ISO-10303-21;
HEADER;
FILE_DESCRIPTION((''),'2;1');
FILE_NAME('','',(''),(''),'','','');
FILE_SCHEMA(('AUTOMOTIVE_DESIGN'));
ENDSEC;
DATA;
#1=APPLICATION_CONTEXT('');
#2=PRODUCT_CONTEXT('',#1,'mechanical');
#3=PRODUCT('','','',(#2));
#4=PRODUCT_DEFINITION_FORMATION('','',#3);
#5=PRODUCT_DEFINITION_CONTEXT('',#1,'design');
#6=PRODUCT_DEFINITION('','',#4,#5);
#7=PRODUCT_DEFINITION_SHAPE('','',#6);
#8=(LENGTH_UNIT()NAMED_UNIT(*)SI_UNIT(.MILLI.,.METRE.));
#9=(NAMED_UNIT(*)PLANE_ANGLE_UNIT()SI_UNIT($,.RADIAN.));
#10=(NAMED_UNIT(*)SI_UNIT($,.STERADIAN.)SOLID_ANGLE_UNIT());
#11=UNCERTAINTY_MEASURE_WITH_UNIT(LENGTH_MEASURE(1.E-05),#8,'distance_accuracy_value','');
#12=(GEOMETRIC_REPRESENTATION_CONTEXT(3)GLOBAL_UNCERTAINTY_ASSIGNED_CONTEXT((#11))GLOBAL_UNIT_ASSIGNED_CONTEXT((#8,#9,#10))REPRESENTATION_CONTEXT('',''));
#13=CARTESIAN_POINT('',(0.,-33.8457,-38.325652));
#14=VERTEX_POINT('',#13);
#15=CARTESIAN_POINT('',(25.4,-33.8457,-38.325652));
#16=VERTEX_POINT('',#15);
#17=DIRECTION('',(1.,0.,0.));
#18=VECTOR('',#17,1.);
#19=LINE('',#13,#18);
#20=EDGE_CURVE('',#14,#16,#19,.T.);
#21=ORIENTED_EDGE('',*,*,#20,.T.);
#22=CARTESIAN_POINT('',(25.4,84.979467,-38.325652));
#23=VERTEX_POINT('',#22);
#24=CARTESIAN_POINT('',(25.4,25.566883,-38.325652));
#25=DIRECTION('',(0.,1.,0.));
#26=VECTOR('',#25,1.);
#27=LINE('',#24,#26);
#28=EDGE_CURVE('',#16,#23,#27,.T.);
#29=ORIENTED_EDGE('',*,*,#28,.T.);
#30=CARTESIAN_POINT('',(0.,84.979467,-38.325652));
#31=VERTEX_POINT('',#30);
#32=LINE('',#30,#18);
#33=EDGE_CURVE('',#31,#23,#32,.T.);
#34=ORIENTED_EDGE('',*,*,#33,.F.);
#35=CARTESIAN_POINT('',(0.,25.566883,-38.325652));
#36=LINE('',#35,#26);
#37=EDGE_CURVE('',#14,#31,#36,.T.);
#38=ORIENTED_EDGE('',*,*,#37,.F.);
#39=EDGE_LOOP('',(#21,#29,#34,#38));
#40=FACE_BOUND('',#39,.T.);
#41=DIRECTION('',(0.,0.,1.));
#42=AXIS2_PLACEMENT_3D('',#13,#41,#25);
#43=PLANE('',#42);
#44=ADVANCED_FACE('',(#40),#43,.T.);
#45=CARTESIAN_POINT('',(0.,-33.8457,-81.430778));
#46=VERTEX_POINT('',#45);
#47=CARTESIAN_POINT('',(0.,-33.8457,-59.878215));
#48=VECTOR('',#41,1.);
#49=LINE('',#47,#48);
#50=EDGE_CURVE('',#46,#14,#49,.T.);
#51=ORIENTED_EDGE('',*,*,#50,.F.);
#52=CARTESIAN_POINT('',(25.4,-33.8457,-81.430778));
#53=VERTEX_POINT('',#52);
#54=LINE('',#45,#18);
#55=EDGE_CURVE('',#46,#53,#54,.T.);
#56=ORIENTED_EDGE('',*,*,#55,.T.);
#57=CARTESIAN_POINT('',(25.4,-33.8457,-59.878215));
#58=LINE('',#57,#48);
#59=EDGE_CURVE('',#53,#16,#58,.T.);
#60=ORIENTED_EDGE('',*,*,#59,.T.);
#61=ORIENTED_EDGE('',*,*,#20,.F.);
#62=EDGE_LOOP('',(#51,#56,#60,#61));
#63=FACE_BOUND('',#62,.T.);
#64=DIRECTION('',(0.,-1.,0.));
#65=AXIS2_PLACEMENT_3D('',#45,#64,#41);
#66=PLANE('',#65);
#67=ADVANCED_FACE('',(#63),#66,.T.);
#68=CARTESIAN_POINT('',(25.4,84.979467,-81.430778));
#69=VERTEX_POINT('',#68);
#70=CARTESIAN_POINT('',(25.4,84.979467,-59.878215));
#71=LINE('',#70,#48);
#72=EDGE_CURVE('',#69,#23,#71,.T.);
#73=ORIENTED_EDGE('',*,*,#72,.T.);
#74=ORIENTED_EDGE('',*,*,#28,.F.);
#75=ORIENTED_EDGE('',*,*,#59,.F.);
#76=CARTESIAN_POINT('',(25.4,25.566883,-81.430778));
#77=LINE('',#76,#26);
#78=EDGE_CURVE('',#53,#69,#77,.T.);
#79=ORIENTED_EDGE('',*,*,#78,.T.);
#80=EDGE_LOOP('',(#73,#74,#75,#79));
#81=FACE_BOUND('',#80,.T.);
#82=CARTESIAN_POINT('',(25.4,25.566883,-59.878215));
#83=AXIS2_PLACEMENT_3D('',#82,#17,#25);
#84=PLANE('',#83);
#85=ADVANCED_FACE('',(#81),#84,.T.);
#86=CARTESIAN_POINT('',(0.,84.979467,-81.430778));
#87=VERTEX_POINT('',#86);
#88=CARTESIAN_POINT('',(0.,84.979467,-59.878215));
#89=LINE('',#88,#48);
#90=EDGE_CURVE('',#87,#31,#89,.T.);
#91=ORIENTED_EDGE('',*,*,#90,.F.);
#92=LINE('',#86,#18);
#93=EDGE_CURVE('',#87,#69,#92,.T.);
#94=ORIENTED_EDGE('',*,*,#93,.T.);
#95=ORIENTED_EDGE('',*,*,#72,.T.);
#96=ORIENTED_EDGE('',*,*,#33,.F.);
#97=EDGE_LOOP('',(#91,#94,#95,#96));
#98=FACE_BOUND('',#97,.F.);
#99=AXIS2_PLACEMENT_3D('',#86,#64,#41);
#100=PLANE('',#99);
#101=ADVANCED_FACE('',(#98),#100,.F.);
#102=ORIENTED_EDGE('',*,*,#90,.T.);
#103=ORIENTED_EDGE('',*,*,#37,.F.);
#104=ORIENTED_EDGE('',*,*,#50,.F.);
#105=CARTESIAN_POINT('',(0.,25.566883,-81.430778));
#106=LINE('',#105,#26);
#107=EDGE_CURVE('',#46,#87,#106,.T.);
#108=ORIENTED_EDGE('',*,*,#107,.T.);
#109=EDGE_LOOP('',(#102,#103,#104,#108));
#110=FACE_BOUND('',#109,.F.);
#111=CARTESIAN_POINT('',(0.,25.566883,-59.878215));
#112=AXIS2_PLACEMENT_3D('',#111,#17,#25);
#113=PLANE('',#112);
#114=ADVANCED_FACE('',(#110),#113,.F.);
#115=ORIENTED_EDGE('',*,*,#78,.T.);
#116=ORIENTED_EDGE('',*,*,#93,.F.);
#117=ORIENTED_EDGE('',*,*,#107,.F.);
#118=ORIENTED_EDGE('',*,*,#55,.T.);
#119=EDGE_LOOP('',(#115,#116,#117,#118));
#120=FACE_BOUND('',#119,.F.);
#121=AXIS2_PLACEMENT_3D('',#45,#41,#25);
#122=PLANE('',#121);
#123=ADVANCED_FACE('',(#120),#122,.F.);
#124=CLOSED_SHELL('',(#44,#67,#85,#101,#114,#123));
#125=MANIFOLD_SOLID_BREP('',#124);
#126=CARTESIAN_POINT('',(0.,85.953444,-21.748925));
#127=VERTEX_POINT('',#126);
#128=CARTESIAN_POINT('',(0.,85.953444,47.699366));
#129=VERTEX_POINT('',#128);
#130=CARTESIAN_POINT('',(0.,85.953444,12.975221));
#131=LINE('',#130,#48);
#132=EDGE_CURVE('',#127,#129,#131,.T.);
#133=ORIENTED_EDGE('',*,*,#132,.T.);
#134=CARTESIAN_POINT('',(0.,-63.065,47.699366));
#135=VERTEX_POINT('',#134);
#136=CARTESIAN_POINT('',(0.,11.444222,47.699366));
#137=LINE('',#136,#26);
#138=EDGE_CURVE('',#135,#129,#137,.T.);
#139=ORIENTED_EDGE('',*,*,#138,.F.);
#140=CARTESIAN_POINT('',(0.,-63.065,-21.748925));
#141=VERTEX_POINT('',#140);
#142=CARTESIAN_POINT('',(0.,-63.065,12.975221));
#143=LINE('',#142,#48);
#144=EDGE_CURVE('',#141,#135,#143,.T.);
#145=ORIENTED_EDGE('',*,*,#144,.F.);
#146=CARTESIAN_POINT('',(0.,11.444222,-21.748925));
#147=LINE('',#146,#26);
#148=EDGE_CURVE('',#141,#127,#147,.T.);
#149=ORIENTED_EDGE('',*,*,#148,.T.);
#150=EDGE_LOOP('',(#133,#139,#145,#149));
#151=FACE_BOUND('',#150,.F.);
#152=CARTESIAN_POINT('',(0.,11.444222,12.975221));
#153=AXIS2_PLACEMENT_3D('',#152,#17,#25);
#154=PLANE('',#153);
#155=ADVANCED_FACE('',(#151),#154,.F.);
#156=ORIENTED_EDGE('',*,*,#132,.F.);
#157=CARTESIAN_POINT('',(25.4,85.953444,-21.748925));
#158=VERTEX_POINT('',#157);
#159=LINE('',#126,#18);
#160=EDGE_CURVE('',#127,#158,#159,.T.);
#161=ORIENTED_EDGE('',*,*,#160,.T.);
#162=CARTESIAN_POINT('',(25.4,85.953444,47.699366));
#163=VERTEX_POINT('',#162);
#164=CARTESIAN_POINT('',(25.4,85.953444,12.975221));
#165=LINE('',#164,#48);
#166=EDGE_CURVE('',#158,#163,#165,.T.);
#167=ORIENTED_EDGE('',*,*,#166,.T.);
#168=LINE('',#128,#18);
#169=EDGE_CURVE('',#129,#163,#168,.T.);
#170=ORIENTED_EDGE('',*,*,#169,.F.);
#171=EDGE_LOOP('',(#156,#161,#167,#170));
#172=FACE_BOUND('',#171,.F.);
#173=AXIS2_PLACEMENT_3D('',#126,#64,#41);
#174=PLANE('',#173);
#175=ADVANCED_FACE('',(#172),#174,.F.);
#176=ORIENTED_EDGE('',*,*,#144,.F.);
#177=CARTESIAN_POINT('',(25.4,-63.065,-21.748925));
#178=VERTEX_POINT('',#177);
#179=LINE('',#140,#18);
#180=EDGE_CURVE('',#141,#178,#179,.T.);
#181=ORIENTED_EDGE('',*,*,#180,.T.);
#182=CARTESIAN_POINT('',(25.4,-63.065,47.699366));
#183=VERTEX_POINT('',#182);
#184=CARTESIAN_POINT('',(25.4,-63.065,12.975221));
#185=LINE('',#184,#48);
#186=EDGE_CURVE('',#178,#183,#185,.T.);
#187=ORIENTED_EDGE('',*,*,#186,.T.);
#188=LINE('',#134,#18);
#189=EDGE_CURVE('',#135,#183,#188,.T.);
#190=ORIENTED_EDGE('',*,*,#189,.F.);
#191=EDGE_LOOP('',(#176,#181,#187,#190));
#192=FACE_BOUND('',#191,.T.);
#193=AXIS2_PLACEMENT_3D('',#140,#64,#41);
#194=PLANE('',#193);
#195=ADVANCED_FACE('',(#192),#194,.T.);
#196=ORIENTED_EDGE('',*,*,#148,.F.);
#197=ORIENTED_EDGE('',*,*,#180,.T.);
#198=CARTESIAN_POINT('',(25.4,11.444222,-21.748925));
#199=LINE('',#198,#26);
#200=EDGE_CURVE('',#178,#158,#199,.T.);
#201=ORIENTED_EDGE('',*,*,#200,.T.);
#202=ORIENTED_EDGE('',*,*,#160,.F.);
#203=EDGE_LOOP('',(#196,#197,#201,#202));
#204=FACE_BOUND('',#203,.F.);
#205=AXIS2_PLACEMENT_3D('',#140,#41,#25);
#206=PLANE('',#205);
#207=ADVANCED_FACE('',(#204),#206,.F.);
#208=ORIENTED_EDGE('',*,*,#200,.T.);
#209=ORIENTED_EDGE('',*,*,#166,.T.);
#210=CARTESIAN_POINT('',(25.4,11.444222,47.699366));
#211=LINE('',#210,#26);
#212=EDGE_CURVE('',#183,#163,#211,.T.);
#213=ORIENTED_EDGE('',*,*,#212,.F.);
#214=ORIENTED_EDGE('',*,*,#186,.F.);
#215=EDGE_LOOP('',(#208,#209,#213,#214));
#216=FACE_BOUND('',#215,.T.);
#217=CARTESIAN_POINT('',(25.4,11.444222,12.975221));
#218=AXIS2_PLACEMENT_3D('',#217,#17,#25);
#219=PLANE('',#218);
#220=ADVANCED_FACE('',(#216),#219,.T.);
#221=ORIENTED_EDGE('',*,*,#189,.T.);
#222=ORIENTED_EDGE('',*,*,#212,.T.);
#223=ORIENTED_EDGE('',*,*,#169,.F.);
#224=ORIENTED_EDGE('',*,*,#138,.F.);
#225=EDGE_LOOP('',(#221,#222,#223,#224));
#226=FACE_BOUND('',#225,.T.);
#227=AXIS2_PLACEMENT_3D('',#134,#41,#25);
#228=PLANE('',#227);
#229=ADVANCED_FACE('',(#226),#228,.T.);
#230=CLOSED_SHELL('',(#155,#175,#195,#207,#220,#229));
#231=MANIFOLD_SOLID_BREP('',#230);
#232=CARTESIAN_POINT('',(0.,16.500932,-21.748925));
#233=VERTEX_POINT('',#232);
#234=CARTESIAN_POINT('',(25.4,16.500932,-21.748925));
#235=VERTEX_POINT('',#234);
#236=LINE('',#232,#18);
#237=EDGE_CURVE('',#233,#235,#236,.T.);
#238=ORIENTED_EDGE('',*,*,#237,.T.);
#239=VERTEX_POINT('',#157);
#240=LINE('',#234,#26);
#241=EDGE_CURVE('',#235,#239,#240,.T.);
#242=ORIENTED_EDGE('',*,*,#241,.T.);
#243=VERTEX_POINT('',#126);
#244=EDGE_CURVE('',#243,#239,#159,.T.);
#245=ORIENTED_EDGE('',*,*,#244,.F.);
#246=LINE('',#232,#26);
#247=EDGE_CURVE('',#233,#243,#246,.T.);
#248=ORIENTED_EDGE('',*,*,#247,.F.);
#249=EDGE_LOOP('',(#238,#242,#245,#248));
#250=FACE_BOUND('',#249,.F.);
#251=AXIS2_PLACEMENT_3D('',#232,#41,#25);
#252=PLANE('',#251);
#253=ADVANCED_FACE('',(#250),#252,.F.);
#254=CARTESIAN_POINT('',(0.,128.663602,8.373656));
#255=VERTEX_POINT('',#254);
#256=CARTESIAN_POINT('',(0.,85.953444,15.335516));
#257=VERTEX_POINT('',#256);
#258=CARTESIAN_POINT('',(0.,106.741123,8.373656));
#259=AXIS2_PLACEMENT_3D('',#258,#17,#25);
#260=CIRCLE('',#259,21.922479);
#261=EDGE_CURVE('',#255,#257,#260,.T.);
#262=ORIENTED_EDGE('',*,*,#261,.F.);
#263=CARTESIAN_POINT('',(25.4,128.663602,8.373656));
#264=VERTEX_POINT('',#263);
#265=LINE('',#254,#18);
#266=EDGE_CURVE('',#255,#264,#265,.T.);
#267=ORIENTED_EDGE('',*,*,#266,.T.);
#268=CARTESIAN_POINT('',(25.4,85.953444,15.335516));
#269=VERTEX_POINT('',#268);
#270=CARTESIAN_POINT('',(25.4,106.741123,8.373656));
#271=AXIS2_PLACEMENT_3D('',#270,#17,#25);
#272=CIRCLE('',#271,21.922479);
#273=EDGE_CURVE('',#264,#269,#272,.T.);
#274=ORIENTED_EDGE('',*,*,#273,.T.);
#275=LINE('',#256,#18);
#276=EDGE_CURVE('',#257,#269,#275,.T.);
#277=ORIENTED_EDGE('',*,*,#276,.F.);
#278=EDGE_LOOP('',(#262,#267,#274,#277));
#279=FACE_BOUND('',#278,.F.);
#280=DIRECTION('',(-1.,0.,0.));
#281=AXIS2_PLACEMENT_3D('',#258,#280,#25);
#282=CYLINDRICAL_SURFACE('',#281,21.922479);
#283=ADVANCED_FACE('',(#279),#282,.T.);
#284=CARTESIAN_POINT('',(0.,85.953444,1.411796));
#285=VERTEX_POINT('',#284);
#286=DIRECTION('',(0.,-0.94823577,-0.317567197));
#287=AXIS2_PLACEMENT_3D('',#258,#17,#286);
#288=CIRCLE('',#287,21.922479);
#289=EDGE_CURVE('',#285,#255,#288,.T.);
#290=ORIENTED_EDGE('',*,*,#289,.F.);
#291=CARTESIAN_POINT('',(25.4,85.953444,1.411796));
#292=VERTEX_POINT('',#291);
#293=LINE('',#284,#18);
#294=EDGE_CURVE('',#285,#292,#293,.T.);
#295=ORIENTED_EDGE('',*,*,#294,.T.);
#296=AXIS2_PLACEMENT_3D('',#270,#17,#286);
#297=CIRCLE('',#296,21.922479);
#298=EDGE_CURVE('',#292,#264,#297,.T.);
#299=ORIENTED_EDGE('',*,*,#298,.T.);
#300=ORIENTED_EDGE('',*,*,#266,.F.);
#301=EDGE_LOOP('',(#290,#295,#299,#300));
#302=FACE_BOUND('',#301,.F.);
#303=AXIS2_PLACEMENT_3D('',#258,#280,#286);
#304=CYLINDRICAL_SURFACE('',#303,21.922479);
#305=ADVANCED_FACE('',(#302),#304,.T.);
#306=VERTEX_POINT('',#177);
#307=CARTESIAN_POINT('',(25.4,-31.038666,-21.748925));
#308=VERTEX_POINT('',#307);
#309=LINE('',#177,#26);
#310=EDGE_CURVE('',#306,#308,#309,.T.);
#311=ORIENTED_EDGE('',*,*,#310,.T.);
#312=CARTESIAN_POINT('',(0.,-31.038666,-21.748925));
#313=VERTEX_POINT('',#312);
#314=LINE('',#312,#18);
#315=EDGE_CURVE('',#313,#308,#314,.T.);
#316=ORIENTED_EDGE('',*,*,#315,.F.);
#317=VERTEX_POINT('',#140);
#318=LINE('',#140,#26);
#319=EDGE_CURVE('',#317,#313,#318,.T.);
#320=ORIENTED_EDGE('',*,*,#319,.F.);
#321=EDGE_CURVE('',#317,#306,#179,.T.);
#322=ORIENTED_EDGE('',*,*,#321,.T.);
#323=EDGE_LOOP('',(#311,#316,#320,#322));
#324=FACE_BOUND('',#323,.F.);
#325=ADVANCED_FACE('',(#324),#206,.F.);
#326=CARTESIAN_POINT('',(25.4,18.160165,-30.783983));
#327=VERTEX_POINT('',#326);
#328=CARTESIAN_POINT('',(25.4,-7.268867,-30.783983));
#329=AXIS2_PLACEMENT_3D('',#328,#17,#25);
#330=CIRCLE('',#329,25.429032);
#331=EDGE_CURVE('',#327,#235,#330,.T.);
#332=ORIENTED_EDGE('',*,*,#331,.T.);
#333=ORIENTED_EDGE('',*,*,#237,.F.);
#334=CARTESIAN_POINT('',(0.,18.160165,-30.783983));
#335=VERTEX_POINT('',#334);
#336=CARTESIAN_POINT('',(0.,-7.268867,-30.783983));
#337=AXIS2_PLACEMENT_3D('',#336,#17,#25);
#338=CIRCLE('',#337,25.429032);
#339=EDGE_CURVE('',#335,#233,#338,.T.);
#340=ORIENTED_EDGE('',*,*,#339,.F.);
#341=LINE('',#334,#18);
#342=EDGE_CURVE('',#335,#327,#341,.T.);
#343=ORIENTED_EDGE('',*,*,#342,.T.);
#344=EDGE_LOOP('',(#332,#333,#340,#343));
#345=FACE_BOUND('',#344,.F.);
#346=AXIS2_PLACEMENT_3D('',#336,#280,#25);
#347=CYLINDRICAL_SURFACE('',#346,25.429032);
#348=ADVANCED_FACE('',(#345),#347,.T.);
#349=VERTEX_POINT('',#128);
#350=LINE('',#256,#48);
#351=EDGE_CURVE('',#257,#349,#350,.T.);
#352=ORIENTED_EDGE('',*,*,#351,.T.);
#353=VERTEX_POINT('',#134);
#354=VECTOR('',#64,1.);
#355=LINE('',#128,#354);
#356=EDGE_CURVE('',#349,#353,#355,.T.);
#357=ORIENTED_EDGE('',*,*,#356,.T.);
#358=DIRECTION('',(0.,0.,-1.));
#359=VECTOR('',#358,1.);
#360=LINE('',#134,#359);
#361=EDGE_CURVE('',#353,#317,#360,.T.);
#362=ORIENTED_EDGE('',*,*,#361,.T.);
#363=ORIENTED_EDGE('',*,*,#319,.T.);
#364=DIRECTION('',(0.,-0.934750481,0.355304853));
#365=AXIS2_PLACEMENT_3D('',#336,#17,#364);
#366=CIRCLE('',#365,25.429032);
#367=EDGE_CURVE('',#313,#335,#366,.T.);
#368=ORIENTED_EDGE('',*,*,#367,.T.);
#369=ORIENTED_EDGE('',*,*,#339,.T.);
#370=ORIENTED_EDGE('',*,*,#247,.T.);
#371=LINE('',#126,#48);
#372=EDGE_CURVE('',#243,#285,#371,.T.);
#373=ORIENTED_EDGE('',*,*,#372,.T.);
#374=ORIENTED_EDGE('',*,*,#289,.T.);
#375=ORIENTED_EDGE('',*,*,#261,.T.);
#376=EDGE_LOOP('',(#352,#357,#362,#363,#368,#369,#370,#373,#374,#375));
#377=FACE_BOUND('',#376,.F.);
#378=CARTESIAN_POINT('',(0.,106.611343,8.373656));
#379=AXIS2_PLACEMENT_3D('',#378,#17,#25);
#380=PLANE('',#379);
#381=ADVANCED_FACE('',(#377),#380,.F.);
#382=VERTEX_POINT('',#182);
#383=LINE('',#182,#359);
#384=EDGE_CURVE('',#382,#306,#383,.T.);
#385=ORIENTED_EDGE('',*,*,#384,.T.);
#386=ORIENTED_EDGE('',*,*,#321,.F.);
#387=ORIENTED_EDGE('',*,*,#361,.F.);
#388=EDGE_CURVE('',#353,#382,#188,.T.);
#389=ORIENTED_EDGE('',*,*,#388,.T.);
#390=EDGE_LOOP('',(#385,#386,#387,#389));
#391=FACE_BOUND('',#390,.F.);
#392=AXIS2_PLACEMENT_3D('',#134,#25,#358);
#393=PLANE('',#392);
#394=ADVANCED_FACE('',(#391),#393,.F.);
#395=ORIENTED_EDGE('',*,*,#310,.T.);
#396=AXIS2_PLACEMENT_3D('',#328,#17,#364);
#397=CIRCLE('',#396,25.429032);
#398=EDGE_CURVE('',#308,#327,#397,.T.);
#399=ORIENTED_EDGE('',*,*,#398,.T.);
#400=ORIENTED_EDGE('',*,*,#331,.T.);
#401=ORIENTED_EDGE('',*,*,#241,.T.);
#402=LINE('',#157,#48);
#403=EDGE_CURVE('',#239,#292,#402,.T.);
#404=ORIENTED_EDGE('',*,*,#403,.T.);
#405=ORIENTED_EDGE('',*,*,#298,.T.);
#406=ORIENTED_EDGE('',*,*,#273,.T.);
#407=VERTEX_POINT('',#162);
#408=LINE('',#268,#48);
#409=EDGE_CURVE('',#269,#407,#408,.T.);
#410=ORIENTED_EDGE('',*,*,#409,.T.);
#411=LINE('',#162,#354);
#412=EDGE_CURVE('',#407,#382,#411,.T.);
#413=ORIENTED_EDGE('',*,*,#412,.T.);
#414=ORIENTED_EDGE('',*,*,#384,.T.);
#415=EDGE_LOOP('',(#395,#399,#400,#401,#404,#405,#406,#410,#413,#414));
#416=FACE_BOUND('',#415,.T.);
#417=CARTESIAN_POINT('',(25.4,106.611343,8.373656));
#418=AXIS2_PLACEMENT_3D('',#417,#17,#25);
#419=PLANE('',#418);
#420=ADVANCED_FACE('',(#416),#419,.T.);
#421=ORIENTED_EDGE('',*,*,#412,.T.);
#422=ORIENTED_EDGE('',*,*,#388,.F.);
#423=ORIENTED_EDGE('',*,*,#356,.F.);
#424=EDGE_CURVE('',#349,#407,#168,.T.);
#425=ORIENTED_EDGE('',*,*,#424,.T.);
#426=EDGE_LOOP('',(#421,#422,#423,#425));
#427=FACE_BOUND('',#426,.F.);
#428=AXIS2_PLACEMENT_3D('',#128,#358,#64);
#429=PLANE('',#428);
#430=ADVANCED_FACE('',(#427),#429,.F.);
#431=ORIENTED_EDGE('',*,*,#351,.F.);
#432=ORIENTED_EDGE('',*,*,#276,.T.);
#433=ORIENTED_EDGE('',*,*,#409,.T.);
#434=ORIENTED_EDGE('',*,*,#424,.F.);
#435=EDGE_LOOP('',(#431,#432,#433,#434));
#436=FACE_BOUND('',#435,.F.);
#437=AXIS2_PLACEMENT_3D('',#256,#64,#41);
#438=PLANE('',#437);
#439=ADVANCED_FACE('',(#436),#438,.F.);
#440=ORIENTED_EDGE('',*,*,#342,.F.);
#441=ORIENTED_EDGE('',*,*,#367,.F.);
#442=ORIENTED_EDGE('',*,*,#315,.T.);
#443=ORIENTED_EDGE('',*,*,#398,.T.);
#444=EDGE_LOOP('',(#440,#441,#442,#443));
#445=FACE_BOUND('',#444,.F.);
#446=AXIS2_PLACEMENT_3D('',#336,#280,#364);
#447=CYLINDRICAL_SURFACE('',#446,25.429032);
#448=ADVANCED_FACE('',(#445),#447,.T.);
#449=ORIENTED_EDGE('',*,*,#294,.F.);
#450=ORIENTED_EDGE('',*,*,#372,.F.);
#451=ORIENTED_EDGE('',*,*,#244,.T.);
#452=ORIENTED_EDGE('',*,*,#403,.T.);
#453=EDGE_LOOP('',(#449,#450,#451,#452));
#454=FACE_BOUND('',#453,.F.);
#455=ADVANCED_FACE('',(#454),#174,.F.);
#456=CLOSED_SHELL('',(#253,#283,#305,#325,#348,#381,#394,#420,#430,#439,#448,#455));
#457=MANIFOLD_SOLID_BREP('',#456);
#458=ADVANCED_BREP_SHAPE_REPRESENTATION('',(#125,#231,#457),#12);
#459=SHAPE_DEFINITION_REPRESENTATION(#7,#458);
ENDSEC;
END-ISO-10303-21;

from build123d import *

# Parameters (mm, degrees)
F2_DEPTH = 25.4
F0_W     = 149.0184441209
F0_H     = 69.4482903928
F0_W_2   = 118.8251674175
F0_H_2   = 43.1051254272


with BuildPart() as f2:
    # F1 (on face) → F2 (new body)
    with BuildSketch(Plane.YZ):
        with BuildLine():
            ThreePointArc((85.9534442425, 1.4117961428), (110.267993631, -13.2632626913), (128.6636017991, 8.3736563101))
            ThreePointArc((128.6636017991, 8.3736563101), (110.267993631, 30.0105753116), (85.9534442425, 15.3355164775))
            Line((85.9534442425, 15.3355164775), (85.9534442425, 1.4117961428))
        make_face()
        with BuildLine():
            ThreePointArc((18.160164574, -30.7839829475), (17.7419169601, -26.1909085431), (16.5009324926, -21.7489246279))
            Line((16.5009324926, -21.7489246279), (-31.0386664721, -21.7489246279))
            ThreePointArc((-31.0386664721, -21.7489246279), (-11.8619413942, -55.7947668973), (18.160164574, -30.7839829475))
        make_face()
        with BuildLine():
            Line((85.9534442425, 1.4117961428), (85.9534442425, 15.3355164775))
            ThreePointArc((85.9534442425, 15.3355164775), (84.8186440038, 8.3736563101), (85.9534442425, 1.4117961428))
        make_face()
        with BuildLine():
            Line((-31.0386664721, -21.7489246279), (16.5009324926, -21.7489246279))
            ThreePointArc((16.5009324926, -21.7489246279), (-7.2688669898, -5.3549513837), (-31.0386664721, -21.7489246279))
        make_face()
        with BuildLine():
            ThreePointArc((85.9534442425, 1.4117961428), (84.8186440038, 8.3736563101), (85.9534442425, 15.3355164775))
            Line((85.9534442425, 15.3355164775), (85.9534442425, 47.6993657649))
            Line((85.9534442425, 47.6993657649), (-63.0649998784, 47.6993657649))
            Line((-63.0649998784, 47.6993657649), (-63.0649998784, -21.7489246279))
            Line((-63.0649998784, -21.7489246279), (-31.0386664721, -21.7489246279))
            ThreePointArc((-31.0386664721, -21.7489246279), (-7.2688669898, -5.3549513837), (16.5009324926, -21.7489246279))
            Line((16.5009324926, -21.7489246279), (85.9534442425, -21.7489246279))
            Line((85.9534442425, -21.7489246279), (85.9534442425, 1.4117961428))
        make_face()
    extrude(amount=F2_DEPTH)


with BuildPart() as f2b:
    # F0 (on Right) → F2, piece 2 (new body)
    with BuildSketch(Plane.YZ):
        with Locations((11.444222182, 12.9752205685)):
            Rectangle(F0_W, F0_H)
    extrude(amount=F2_DEPTH)


with BuildPart() as f2c:
    # F0 (on Right) → F2, piece 3 (new body)
    with BuildSketch(Plane.YZ):
        with Locations((25.5668833852, -59.8782151937)):
            Rectangle(F0_W_2, F0_H_2)
    extrude(amount=F2_DEPTH)


solid = Compound([f2.part, f2b.part, f2c.part])
